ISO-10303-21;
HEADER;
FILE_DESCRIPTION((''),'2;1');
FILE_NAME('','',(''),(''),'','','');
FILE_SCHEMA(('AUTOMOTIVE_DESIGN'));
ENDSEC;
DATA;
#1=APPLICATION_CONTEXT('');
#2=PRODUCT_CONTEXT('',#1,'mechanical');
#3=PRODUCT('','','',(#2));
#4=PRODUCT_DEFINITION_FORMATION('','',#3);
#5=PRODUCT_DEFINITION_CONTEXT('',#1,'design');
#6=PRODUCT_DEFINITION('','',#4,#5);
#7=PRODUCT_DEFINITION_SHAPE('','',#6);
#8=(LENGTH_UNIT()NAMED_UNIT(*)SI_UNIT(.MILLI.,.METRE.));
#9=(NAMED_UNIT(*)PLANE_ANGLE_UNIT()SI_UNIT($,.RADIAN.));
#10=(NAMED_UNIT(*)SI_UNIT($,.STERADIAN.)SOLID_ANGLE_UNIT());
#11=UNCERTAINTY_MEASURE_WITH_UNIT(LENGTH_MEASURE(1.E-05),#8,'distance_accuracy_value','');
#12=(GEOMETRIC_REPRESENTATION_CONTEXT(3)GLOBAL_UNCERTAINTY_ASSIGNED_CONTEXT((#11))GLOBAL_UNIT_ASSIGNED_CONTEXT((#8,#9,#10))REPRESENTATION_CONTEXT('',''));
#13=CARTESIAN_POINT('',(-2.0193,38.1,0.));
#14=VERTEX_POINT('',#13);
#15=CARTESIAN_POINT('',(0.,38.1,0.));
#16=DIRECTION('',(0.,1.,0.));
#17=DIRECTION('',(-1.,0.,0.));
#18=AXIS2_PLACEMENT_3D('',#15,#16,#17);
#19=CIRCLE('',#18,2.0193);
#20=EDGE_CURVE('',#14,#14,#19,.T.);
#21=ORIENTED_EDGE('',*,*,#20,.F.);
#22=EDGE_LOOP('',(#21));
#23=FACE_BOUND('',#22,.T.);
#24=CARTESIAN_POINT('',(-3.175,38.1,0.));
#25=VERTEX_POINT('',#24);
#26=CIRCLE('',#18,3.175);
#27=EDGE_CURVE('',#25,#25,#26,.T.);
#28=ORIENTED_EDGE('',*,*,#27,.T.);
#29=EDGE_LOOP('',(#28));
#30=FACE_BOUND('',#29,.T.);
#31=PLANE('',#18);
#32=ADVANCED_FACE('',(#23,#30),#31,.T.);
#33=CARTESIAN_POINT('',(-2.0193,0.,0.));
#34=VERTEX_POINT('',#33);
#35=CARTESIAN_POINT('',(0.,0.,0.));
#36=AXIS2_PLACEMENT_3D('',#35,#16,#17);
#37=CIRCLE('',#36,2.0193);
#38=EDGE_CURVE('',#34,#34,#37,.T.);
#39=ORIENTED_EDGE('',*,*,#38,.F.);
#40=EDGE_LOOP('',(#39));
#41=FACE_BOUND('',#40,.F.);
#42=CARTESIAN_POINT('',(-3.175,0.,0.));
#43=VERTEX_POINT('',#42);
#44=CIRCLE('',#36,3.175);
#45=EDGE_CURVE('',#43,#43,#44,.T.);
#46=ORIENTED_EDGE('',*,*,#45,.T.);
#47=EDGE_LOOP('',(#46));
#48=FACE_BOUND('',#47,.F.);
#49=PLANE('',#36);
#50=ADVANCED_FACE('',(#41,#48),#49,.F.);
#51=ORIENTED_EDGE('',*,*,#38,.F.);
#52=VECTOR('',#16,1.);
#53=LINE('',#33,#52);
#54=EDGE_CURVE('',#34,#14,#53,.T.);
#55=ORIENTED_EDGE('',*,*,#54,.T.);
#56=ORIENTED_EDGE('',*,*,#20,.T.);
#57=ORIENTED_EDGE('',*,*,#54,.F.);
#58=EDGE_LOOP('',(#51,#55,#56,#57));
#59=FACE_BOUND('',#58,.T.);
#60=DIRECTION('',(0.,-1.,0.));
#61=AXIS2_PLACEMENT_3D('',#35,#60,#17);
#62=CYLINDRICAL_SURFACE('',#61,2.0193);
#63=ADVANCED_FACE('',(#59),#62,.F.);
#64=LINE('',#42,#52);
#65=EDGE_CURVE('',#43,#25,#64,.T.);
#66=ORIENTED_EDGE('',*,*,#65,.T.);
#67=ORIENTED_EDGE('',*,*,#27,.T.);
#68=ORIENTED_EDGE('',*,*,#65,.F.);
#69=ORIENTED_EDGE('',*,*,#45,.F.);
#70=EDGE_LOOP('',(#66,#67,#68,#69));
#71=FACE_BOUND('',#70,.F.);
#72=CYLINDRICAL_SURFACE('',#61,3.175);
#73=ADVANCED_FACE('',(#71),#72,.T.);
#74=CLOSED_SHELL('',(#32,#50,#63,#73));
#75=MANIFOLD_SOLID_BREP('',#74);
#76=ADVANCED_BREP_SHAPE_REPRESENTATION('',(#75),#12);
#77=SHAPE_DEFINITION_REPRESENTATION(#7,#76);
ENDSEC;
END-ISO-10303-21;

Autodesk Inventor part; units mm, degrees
ref_plane "YZ Plane" through (0, 0, 0) normal (1, 0, 0) x (0, 1, 0)
ref_plane "XZ Plane" through (0, 0, 0) normal (0, 1, 0) x (-1, 0, 0)
ref_plane "XY Plane" through (0, 0, 0) normal (0, 0, 1) x (1, 0, 0)
sketch "Sketch1" plane through (0, 0, 0) normal (0, 1, 0) x (-1, 0, 0)
  circle A0 centre (0, 0) radius 3.175
  circle A1 centre (0, 0) radius 2.0193
  dimension "d0" = 6.35
  dimension "d1" = 4.0386
extrude "Extrusion1" add sketch "Sketch1" along normal blind 38.1
thread "Thread1" size "10-32 UNF" class "2B" standard "ANSI Unified Screw Threads" full length
properties part number "OUTK_009_VersaSpacer" material "Aluminum 6061"
